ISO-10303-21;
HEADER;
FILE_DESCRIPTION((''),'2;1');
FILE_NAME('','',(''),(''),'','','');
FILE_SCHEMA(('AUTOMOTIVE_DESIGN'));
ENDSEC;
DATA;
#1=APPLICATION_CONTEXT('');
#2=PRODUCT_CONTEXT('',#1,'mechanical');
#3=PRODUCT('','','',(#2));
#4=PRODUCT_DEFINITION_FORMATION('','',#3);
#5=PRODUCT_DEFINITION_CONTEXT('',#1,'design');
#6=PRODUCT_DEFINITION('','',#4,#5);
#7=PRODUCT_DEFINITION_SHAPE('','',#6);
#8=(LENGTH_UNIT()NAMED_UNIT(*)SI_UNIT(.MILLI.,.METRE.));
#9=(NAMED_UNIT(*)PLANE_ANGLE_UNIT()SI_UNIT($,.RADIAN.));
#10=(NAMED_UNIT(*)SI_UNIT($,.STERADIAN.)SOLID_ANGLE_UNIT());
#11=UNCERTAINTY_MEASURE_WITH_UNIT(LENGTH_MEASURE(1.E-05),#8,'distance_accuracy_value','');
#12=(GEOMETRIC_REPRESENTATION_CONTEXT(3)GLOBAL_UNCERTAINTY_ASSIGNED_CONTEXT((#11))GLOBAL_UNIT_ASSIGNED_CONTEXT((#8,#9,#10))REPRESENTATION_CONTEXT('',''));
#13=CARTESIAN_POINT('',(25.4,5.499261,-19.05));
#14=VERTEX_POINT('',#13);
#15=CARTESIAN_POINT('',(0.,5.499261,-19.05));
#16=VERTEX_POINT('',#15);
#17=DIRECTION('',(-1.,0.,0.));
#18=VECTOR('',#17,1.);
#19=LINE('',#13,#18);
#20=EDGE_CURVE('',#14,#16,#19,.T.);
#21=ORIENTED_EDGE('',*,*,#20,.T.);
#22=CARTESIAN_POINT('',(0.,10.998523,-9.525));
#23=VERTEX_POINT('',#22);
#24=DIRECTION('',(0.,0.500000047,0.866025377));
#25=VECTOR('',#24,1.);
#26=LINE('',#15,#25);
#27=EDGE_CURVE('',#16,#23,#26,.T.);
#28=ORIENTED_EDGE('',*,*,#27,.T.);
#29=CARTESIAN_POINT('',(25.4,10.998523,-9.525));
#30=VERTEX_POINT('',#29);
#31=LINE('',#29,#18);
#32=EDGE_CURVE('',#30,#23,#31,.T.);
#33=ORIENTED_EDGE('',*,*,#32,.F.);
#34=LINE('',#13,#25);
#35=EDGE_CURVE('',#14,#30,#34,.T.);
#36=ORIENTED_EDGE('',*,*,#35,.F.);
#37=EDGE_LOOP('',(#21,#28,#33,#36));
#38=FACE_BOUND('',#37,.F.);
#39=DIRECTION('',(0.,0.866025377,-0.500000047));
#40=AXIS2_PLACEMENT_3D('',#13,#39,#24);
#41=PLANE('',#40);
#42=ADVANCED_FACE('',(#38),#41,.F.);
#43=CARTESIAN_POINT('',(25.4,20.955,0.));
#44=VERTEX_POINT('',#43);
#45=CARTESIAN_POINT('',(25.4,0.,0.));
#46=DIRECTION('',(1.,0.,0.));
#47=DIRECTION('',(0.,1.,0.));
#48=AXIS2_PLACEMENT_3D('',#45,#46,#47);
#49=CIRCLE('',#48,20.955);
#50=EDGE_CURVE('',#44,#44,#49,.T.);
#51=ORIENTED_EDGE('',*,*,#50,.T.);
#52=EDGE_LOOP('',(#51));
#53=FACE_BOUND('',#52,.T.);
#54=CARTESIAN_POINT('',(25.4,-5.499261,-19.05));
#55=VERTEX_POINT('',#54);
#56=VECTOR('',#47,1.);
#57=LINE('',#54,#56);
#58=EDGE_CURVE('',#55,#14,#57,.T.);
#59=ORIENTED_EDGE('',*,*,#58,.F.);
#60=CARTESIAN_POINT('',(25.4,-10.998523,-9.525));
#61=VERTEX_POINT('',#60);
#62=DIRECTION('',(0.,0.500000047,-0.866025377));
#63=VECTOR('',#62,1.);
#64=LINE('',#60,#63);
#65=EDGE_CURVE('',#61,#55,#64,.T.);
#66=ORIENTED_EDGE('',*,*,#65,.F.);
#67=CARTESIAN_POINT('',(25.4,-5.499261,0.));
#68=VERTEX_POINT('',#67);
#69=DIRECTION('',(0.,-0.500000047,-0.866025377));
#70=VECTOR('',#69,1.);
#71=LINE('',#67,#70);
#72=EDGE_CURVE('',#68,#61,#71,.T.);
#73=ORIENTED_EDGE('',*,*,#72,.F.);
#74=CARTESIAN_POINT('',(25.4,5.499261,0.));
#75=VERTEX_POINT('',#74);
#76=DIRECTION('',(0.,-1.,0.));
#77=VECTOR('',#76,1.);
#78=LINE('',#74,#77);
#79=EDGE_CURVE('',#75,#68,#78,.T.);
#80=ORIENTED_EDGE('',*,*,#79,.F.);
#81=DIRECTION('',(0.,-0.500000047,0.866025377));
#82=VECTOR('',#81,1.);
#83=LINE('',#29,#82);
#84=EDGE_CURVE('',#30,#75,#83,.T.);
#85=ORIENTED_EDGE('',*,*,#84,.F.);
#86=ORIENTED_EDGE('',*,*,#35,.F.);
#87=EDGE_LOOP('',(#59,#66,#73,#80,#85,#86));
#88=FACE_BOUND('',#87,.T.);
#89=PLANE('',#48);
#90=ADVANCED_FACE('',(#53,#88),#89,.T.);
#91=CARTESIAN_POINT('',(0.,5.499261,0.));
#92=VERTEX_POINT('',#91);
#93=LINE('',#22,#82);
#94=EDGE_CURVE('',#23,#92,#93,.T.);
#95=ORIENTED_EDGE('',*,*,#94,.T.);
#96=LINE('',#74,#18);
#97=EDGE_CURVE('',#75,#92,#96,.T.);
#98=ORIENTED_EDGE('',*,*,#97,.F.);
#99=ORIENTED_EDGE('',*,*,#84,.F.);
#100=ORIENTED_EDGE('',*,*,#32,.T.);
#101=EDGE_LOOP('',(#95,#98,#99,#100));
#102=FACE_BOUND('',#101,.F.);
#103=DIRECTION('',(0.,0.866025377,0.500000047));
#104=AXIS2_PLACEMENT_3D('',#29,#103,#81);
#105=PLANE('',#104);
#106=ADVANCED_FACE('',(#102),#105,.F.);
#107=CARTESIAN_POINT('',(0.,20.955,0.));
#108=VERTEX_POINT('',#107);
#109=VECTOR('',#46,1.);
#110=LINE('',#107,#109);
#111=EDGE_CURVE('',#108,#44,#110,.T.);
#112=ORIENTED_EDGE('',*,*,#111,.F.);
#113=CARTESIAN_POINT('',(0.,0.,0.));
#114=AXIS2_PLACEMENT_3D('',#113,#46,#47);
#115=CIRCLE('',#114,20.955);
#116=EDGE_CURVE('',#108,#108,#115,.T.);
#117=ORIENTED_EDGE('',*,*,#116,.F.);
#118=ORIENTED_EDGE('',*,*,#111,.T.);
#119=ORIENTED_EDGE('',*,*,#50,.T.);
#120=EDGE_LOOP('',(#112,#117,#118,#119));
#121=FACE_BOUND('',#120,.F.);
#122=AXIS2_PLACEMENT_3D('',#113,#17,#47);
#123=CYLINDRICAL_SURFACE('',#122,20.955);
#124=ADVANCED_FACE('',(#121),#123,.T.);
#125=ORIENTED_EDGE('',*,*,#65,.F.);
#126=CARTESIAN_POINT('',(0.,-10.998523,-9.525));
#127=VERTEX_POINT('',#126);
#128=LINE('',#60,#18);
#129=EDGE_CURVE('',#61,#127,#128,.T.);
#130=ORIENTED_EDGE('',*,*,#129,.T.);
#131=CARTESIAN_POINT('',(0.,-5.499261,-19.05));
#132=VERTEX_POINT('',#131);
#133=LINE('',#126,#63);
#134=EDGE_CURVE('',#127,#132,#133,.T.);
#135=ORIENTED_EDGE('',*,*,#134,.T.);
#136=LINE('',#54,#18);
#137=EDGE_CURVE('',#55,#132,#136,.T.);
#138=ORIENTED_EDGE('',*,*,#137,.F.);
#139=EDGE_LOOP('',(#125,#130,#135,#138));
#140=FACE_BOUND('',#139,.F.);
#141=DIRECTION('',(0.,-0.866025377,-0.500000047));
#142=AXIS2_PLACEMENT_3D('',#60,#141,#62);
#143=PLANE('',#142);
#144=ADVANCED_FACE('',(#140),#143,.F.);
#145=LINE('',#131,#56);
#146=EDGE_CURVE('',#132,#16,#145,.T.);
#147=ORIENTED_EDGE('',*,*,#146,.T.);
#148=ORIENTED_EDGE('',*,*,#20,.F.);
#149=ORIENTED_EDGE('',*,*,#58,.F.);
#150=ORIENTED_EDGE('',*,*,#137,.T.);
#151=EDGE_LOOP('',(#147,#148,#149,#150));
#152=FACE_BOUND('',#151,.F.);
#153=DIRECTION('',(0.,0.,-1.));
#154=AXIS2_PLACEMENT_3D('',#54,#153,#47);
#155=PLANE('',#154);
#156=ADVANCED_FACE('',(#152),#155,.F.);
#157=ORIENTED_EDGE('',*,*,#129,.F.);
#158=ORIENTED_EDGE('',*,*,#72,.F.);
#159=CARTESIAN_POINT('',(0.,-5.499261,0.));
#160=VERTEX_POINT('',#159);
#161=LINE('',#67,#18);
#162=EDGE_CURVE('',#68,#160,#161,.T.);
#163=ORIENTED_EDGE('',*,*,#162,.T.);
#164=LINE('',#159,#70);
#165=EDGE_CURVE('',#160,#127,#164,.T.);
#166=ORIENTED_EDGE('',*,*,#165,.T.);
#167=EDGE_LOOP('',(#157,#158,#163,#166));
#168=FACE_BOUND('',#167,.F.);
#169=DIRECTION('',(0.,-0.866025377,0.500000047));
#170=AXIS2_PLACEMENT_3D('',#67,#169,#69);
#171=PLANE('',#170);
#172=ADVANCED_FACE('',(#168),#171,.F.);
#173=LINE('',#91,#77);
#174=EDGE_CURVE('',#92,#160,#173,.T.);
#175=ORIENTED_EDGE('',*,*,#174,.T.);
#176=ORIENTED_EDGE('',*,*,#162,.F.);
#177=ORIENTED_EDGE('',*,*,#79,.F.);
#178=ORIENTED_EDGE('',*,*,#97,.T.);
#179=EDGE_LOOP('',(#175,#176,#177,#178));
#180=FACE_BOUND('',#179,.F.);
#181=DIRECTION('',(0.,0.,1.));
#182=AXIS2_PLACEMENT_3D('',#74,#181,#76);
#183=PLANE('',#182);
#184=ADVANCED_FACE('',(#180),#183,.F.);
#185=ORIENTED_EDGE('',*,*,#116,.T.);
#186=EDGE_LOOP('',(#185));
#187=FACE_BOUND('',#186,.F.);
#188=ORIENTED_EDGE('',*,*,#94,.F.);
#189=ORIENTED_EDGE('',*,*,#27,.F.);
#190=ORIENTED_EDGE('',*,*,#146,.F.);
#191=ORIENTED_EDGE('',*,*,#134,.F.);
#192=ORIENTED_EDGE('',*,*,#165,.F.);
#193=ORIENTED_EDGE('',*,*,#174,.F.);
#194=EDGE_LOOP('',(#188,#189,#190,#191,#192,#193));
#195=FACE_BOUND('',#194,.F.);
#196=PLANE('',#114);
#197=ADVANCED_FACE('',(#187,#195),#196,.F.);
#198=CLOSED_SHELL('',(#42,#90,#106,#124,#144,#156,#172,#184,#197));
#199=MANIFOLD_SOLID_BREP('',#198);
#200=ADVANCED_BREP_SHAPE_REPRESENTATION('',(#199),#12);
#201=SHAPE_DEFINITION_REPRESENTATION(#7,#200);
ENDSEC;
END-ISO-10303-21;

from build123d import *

# Parameters (mm, degrees)
F0_R     = 20.955
F1_DEPTH = 25.4
F3_DEPTH = 25.4


with BuildPart() as f1:
    # F0 (on Right) → F1 (new body)
    with BuildSketch(Plane.YZ):
        Circle(F0_R)
    extrude(amount=F1_DEPTH)

    # F2 (on face) → F3 (cut)
    with BuildSketch(Plane.YZ.offset(25.4)):
        Polygon((5.499261, 0), (-5.499261, 0), (-10.998523, -9.525), (-5.499261, -19.05), (5.499261, -19.05), (10.998523, -9.525), align=None)
    extrude(amount=-F3_DEPTH, mode=Mode.SUBTRACT)


solid = f1.part
